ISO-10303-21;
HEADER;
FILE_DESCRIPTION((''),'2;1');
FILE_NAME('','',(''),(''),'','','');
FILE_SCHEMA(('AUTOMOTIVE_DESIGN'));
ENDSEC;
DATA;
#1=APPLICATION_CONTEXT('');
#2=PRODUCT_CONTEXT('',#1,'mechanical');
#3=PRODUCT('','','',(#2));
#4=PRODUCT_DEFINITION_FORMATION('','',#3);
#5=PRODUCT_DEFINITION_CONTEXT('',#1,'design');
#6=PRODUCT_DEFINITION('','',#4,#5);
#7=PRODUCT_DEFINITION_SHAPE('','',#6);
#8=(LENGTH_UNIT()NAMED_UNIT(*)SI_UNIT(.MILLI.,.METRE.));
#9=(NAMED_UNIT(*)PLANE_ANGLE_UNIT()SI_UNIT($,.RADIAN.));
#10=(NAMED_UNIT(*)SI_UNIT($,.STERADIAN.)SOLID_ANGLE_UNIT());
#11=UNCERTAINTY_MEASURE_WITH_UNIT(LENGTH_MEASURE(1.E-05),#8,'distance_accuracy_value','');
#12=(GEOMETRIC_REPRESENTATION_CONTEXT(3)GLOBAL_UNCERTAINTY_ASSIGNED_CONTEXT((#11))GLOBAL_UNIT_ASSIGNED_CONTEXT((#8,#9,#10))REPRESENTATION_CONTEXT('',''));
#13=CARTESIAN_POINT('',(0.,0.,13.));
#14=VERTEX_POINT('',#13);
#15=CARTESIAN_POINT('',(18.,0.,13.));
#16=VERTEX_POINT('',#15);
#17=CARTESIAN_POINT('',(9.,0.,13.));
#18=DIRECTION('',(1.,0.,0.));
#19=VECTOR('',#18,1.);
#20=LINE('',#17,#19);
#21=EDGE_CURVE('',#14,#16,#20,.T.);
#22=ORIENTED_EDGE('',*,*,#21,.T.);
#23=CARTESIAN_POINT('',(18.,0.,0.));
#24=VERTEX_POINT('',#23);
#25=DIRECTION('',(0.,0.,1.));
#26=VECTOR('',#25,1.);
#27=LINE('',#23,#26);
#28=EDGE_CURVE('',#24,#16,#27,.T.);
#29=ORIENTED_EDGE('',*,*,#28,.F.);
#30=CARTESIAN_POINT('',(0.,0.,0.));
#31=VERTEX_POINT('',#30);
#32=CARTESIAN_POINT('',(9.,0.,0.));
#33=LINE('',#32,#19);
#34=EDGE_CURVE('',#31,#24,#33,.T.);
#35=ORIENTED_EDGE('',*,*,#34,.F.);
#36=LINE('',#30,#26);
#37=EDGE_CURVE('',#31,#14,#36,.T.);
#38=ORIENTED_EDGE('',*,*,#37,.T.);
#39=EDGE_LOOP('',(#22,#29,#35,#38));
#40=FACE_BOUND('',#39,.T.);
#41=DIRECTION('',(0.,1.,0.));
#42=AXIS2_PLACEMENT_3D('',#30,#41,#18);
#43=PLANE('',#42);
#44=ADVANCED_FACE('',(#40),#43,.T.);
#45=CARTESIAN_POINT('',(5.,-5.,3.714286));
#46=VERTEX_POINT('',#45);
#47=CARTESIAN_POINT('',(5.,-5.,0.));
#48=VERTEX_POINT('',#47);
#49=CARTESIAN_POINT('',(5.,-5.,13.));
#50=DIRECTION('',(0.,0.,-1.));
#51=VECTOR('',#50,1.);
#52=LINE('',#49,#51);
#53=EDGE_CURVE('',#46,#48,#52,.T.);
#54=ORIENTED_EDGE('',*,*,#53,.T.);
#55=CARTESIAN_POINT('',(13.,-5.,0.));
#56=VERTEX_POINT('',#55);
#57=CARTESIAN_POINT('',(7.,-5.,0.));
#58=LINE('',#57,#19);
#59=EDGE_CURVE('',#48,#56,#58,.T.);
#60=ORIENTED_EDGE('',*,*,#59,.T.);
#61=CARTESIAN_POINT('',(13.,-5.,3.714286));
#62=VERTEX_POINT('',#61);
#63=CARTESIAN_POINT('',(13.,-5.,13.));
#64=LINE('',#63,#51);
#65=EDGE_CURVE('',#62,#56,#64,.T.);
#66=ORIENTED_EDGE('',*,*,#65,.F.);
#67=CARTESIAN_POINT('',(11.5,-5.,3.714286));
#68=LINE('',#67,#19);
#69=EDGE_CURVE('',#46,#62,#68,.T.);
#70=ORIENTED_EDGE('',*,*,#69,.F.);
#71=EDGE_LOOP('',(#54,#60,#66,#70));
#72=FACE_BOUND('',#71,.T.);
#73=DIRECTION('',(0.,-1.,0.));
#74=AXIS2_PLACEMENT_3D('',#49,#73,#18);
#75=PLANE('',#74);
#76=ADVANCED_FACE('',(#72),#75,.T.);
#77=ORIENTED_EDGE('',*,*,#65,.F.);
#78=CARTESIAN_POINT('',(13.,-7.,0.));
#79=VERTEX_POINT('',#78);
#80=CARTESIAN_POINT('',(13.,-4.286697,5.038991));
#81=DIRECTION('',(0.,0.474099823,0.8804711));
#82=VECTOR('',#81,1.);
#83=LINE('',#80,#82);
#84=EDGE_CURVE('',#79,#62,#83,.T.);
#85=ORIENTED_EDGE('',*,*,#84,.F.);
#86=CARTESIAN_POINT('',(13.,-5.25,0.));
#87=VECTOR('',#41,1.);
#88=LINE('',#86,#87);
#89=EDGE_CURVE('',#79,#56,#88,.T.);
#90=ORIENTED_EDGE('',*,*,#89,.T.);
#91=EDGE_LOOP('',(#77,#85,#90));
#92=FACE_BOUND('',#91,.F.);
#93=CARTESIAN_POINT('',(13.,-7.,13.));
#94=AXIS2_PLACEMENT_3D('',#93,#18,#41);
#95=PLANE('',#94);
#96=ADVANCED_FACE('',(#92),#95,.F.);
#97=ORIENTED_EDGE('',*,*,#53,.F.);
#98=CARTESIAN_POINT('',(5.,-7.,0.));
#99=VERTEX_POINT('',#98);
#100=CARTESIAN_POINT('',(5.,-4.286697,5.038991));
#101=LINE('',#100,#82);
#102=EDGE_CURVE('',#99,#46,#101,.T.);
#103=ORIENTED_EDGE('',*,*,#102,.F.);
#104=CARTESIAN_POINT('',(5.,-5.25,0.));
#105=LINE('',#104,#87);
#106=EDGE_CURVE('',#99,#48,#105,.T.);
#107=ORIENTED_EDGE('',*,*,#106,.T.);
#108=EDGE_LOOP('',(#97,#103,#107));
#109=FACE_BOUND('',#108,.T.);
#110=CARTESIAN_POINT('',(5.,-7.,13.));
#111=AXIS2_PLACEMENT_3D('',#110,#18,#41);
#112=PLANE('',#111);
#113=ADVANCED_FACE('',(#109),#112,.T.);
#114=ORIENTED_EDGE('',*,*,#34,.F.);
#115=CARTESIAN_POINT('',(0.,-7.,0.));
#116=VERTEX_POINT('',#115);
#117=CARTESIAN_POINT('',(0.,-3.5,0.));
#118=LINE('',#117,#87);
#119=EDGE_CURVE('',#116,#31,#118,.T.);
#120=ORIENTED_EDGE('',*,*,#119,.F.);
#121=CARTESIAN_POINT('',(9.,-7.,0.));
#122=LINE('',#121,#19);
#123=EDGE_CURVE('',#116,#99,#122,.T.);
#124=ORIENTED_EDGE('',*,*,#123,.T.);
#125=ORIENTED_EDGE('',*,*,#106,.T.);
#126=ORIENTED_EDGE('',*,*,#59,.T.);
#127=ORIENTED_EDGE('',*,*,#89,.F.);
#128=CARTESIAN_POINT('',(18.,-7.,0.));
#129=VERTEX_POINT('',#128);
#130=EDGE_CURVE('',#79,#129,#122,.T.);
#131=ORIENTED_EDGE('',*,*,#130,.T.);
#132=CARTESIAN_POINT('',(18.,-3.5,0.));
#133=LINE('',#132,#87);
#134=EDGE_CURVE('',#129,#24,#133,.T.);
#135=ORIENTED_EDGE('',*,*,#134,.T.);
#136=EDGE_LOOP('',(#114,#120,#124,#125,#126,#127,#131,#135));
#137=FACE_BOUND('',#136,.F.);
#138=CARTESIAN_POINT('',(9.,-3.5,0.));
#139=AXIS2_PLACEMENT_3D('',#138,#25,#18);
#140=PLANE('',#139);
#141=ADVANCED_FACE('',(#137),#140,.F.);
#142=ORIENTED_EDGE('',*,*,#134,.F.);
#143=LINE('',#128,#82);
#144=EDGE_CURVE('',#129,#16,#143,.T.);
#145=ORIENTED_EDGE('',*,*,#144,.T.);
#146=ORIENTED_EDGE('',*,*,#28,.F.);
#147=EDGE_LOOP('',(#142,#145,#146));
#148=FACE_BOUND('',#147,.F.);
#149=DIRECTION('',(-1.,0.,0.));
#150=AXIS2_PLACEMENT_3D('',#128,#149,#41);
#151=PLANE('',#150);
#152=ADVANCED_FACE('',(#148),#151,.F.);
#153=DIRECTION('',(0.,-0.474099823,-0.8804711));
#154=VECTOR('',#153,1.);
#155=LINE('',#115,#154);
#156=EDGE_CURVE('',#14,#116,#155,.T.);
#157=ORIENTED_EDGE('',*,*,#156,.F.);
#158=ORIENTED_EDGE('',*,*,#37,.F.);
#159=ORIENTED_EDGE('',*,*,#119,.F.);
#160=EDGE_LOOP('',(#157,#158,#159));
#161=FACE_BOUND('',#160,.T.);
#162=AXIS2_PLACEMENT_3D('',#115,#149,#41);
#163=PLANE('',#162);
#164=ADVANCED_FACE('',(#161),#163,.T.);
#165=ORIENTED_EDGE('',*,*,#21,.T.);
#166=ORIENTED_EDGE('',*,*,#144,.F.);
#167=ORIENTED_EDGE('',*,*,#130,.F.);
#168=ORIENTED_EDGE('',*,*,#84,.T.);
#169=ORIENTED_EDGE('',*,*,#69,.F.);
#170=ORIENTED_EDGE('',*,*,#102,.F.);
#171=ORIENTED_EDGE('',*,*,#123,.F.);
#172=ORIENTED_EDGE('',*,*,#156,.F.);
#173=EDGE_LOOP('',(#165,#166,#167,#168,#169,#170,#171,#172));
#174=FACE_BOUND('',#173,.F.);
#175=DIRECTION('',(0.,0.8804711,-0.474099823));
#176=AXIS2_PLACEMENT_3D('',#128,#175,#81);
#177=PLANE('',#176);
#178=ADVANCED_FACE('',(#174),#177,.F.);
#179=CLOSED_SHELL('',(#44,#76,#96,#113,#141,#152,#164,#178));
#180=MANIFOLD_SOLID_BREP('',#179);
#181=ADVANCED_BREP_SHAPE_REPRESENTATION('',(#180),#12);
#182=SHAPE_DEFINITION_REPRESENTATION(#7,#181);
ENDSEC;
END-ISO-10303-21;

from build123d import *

# Parameters (mm, degrees)
F0_W     = 18
F0_H     = 7
F1_DEPTH = 13
F2_W     = 8
F2_H     = 2
F3_DEPTH = 13.001
F5_DEPTH = 18.001


with BuildPart() as f1:
    # F0 (on Top) → F1 (new body)
    with BuildSketch(Plane.XY):
        with Locations((9, -3.5)):
            Rectangle(F0_W, F0_H)
    extrude(amount=F1_DEPTH)

    # F2 (on face) → F3 (cut, through all)
    with BuildSketch(Plane.XY.offset(13)):
        with Locations((9, -6)):
            Rectangle(F2_W, F2_H)
    extrude(amount=-F3_DEPTH, mode=Mode.SUBTRACT)

    # F4 (on face) → F5 (cut, through all)
    with BuildSketch(Plane.YZ.offset(18)):
        Polygon((-7, 0), (0, 13), (-7, 13), align=None)
    extrude(amount=-F5_DEPTH, mode=Mode.SUBTRACT)


solid = f1.part
